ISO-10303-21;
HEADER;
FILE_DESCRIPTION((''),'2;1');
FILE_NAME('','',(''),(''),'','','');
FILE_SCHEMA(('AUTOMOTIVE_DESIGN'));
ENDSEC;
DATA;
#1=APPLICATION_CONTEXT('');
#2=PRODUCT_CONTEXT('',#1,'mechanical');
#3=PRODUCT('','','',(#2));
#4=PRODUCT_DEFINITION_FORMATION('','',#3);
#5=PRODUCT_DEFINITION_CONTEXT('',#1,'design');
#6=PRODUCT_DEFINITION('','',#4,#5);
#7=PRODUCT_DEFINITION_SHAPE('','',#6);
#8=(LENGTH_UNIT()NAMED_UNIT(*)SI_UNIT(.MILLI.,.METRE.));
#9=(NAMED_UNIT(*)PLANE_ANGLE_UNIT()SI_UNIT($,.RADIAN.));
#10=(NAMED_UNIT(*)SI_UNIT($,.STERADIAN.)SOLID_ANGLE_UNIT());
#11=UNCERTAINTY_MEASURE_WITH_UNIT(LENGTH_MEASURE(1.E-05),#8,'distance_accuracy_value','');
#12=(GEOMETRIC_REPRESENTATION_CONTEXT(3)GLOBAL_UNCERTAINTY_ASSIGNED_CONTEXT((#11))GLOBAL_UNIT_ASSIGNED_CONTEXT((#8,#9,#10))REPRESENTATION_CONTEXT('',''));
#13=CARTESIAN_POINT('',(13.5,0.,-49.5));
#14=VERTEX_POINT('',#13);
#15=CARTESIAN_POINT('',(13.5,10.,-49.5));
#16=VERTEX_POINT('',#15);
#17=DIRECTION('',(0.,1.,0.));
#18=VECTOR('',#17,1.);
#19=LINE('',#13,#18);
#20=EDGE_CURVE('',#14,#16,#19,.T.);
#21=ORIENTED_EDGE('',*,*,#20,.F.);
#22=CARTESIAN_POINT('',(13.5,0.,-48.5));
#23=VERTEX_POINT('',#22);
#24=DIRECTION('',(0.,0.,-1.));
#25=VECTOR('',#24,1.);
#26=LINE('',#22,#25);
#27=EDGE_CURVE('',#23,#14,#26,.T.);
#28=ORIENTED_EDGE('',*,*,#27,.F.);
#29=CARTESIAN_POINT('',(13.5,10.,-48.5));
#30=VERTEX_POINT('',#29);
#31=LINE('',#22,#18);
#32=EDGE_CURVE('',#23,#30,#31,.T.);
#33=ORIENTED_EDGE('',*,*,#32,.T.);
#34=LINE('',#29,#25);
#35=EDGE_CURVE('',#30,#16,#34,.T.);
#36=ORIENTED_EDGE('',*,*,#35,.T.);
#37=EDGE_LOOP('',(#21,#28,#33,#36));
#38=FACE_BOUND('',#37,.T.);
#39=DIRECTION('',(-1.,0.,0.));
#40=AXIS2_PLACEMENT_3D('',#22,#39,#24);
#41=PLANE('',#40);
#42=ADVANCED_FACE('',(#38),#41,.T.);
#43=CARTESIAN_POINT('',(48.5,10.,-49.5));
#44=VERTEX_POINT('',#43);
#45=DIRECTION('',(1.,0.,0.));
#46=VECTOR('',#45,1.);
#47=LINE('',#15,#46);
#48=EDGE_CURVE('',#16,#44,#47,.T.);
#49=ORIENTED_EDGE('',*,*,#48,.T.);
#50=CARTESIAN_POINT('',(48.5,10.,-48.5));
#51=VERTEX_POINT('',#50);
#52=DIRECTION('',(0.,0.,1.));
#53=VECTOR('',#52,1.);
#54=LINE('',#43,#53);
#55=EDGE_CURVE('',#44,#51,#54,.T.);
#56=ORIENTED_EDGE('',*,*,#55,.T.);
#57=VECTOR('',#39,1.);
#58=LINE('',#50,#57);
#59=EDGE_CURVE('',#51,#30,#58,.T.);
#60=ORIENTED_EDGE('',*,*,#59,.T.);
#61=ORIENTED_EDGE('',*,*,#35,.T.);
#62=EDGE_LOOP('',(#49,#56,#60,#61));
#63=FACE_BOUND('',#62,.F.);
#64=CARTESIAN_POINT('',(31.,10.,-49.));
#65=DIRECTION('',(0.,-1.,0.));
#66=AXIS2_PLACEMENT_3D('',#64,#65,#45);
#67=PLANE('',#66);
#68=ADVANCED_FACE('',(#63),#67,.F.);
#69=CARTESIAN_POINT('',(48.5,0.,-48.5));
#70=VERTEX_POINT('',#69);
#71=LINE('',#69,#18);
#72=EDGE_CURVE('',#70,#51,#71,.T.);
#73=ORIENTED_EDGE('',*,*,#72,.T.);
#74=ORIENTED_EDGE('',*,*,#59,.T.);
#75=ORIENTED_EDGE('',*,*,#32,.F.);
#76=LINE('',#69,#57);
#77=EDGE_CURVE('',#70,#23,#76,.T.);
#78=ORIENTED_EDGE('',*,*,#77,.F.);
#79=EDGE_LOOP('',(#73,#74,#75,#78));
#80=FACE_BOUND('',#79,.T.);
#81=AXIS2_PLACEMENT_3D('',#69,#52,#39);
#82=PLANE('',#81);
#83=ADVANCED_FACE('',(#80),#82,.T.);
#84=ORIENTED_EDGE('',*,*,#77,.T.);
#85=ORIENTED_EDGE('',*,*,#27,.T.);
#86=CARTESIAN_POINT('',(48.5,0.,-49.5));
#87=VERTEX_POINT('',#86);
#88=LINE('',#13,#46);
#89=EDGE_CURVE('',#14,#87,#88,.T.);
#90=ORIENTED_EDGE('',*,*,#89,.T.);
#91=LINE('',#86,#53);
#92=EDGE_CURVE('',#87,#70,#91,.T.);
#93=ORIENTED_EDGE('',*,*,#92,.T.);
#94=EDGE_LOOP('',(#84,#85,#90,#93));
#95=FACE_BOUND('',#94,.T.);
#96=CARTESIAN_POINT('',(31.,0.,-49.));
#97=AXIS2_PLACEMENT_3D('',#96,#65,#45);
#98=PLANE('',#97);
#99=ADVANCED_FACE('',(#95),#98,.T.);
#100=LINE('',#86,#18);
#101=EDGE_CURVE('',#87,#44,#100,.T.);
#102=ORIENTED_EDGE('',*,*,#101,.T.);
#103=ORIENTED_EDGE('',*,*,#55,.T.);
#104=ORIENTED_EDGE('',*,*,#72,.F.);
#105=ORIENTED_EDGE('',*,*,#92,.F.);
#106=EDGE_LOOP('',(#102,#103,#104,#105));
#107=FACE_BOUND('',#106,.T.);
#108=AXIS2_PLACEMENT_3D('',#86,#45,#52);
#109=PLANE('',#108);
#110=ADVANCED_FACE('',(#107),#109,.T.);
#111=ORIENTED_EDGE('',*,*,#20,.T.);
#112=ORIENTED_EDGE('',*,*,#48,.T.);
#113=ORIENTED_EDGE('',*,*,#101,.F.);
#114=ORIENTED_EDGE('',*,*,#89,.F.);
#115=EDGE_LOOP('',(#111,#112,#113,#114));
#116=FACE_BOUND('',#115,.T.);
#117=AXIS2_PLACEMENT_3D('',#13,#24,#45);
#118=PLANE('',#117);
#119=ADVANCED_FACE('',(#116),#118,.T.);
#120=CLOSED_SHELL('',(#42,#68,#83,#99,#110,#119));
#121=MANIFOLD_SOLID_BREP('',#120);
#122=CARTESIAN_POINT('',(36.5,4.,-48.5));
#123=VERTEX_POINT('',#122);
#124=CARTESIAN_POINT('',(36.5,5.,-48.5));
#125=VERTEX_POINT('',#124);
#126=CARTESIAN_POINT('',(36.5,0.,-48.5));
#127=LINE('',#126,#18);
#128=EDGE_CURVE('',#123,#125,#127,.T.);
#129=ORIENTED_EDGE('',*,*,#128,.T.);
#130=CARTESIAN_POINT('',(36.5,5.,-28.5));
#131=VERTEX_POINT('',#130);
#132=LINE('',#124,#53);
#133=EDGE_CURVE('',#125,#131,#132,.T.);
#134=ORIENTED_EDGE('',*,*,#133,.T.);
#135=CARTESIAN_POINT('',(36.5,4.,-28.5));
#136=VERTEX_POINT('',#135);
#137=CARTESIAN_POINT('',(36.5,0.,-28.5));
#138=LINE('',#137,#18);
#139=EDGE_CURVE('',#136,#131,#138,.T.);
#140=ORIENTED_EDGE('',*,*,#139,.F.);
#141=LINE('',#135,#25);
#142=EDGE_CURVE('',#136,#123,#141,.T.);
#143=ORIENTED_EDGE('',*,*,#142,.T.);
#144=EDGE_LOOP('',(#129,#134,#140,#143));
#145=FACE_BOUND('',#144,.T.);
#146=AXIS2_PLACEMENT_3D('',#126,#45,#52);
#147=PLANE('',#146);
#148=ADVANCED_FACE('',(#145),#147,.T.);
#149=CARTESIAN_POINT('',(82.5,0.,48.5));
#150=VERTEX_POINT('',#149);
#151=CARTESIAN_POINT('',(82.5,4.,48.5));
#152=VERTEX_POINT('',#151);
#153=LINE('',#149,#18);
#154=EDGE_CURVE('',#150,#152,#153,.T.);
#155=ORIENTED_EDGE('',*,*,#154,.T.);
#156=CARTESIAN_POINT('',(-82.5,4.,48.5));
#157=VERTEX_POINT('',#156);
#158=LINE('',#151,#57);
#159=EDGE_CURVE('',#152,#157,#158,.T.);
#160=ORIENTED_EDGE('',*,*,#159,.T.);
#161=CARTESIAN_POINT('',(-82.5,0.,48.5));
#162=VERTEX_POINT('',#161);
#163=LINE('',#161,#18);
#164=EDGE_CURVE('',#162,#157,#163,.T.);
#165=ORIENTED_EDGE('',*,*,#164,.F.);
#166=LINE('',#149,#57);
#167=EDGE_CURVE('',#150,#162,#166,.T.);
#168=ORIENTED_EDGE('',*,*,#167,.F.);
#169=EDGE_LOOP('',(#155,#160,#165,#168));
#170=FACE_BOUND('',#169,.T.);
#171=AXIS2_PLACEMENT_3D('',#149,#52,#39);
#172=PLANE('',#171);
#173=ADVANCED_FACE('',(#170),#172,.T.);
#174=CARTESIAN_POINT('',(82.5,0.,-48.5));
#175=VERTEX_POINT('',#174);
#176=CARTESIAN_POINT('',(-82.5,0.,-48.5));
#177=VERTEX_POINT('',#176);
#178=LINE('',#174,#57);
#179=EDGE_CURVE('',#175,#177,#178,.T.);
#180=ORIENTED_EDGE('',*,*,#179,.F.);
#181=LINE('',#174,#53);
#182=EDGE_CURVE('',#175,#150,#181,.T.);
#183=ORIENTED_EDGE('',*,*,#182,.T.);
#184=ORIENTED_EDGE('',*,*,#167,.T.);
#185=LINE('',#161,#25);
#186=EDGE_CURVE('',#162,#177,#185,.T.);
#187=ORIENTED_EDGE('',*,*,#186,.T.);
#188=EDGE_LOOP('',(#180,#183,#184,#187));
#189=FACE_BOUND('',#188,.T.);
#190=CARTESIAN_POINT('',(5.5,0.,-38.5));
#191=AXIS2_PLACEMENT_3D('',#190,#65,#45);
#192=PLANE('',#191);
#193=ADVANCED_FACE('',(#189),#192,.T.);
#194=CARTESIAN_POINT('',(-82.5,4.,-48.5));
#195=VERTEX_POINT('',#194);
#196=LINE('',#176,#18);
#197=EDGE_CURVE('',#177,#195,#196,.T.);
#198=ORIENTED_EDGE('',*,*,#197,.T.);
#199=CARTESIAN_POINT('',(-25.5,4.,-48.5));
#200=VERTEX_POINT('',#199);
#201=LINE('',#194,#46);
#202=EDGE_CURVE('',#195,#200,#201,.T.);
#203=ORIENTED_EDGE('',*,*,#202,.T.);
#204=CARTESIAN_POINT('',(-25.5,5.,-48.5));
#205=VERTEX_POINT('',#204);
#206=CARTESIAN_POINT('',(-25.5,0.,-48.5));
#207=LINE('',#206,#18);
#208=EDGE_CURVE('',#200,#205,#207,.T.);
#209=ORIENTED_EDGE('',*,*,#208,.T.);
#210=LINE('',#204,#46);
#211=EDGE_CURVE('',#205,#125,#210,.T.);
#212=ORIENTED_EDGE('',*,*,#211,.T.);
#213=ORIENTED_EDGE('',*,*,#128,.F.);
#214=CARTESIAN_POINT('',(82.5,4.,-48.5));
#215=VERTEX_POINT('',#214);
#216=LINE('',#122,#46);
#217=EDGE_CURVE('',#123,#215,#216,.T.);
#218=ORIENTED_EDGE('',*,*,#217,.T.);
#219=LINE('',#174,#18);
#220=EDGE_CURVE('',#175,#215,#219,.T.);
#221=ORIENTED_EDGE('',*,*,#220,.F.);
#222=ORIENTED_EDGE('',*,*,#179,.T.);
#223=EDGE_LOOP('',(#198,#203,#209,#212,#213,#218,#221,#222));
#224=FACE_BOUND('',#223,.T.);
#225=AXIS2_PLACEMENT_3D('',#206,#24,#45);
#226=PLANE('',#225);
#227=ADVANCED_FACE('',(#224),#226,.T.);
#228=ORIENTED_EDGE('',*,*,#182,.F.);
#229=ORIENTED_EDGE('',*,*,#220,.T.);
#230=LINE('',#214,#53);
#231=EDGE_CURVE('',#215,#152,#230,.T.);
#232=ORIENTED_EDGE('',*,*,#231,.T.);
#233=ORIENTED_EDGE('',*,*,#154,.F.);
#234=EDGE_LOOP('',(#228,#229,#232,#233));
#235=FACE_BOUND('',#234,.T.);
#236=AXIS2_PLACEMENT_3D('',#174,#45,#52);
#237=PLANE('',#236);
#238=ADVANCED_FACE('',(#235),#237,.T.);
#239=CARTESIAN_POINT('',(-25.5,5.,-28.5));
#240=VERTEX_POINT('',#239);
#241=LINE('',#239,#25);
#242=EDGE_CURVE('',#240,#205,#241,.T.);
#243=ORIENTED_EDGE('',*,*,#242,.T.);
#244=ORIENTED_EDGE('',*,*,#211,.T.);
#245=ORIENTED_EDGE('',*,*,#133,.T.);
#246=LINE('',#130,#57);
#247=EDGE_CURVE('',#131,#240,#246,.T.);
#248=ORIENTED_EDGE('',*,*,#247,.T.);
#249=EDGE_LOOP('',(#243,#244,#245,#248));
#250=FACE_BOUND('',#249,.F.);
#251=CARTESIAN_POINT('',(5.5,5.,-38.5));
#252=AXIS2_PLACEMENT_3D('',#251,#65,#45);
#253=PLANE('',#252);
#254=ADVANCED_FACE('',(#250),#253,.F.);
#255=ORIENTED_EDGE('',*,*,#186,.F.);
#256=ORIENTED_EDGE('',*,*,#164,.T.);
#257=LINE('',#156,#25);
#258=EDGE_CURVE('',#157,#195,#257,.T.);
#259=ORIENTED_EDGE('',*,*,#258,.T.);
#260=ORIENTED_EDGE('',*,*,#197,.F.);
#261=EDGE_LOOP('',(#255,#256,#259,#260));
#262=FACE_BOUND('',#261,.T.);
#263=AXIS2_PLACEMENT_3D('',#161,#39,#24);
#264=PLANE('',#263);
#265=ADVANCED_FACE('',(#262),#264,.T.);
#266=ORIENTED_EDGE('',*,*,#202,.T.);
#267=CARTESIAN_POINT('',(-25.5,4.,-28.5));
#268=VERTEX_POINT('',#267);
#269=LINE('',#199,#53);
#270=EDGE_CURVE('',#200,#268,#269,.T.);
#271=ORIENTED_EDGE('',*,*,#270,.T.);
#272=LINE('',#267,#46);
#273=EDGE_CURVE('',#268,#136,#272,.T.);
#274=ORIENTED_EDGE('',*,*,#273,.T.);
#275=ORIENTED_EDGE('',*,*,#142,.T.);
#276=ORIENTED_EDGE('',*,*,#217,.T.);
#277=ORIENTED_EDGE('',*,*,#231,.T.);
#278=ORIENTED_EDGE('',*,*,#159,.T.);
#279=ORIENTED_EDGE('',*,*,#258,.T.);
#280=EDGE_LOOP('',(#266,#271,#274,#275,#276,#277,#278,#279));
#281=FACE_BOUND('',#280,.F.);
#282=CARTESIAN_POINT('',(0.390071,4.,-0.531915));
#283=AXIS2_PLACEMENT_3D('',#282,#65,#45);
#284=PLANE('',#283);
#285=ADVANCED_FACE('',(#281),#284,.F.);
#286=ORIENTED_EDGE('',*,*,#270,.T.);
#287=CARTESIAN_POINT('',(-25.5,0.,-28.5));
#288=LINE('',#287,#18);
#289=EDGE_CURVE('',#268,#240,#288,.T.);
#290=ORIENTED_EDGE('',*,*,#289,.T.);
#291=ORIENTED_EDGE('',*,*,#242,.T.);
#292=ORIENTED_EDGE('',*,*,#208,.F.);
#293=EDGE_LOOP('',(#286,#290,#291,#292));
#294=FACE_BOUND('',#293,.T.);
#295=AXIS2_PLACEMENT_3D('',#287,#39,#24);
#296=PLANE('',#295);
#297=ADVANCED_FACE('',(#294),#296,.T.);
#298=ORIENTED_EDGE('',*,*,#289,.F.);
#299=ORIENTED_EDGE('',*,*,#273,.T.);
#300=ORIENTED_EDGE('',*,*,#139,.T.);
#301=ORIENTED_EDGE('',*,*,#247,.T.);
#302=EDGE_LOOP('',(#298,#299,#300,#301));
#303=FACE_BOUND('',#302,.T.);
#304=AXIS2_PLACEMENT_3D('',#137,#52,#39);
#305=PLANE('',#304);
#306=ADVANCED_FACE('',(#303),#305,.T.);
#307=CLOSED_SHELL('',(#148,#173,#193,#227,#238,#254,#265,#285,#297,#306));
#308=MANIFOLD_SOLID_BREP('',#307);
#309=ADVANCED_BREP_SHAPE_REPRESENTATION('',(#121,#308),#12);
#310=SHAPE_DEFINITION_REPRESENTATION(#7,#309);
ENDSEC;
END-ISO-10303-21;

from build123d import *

# Parameters (mm, degrees)
F1_DEPTH = 4
F2_DEPTH = 5
F3_DEPTH = 10


with BuildPart() as f1:
    # F0 (on Front) → F1 (new body)
    with BuildSketch(Plane.XZ):
        Polygon((82.5, 48.5), (-82.5, 48.5), (-82.5, -48.5), (-25.5, -48.5), (-25.5, -28.5), (36.5, -28.5), (36.5, -48.5), (48.5, -48.5), (82.5, -48.5), align=None)
    extrude(amount=-F1_DEPTH)

    # F0 (on Front) → F2 (join)
    with BuildSketch(Plane.XZ):
        Polygon((-25.5, -28.5), (-25.5, -48.5), (13.5, -48.5), (36.5, -48.5), (36.5, -28.5), align=None)
    extrude(amount=-F2_DEPTH)


with BuildPart() as f3:
    # F0 (on Front) → F3 (new body)
    with BuildSketch(Plane.XZ):
        Polygon((48.5, -49.5), (48.5, -48.5), (36.5, -48.5), (13.5, -48.5), (13.5, -49.5), align=None)
    extrude(amount=-F3_DEPTH)


solid = Compound([f1.part, f3.part])
